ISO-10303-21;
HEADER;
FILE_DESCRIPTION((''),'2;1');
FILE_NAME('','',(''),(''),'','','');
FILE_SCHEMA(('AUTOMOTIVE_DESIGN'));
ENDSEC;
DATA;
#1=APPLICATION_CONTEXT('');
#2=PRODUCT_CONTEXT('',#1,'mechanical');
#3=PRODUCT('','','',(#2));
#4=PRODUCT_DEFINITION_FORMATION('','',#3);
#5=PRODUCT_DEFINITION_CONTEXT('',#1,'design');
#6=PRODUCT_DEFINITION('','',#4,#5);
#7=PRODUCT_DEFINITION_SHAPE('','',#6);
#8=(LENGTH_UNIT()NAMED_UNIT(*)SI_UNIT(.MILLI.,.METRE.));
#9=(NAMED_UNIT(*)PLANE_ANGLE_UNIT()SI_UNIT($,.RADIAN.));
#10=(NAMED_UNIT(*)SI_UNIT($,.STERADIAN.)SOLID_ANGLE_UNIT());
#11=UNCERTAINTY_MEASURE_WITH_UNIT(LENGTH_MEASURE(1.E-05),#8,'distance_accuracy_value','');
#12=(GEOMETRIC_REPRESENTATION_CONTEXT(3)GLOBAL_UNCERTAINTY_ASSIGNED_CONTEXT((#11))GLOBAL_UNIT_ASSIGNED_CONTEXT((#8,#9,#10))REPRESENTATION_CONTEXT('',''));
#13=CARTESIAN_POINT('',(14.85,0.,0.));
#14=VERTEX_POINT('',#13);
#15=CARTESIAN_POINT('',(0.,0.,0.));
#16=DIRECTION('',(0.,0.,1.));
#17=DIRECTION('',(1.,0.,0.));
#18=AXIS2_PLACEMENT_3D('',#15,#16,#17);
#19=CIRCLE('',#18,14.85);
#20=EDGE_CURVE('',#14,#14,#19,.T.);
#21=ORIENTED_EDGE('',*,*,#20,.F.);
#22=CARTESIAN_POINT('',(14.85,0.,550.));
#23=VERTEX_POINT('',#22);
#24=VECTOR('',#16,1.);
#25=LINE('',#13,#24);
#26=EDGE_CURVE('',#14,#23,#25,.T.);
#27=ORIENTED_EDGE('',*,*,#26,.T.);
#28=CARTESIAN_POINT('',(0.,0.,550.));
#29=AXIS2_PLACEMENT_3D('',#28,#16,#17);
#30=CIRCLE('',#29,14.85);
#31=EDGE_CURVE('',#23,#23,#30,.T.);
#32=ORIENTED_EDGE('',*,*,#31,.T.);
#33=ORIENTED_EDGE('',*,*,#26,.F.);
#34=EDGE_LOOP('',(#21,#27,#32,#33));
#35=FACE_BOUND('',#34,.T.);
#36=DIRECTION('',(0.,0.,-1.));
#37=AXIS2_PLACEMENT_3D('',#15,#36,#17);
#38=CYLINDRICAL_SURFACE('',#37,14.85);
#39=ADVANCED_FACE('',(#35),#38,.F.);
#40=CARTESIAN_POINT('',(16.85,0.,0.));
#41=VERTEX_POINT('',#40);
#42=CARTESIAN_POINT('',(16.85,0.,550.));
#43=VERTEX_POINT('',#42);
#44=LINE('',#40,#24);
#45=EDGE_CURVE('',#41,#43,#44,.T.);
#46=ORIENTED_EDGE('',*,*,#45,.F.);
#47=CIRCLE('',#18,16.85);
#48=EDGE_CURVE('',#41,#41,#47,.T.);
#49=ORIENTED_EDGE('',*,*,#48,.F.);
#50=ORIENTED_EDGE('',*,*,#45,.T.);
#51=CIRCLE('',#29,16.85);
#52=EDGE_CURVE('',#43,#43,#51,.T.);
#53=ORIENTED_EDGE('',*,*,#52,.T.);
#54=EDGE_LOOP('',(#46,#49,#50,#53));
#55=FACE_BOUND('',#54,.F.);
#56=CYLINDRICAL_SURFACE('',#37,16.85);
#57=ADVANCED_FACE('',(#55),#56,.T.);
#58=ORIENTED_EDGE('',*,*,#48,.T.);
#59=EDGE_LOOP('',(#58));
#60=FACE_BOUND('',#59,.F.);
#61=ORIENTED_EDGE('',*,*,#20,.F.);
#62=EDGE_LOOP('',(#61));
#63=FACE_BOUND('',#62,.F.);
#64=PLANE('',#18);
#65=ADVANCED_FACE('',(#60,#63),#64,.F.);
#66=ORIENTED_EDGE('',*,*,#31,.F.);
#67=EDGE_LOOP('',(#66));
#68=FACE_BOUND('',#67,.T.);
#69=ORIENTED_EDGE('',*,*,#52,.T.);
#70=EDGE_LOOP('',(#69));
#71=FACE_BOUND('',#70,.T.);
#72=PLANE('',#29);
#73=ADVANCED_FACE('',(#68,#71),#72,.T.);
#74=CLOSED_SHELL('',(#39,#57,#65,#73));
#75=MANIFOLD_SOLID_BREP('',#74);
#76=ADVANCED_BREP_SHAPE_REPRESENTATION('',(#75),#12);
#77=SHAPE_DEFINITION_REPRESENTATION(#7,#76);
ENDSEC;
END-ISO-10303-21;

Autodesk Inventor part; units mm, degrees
ref_plane "YZ Plane" through (0, 0, 0) normal (1, 0, 0) x (0, 1, 0)
ref_plane "Start Plane" through (0, 0, 0) normal (0, 0, 1) x (1, 0, 0)
ref_plane "End Plane" through (0, 0, 550) normal (0, 0, 1) x (1, 0, 0)
sketch "Sketch" plane through (0, 0, 0) normal (0, 0, 1) x (1, 0, 0)
  circle A0 centre (0, 0) radius 14.85
  circle A1 centre (0, 0) radius 16.85
  dimension "d0" = 33.7
  dimension "d1" = 2
extrude "Body" add sketch "Sketch" along normal up to surface (550 mm away) from surface at 0
sketch "Sketch3" plane through (0, 0, 0) normal (0, 0, 1) x (1, 0, 0)
  line L0 (0, 0) -> (10, 0)
ref_plane "Work Plane3" through (0, 0, 0) normal (0, -1, 0) x (1, 0, 0)
sketch "Sketch4" plane through (0, 0, 0) normal (0, -1, 0) x (1, 0, 0)
  line L0 (-2, 0) -> (12, 0)
  line L1 (-2, 550) -> (12, 550)
  dimension "d7" = 550
equation "\"d0\" = G_H"
equation "\"d1\" = G_T"
equation "\"d2\" = G_L"
equation "\"G_H\" = 33.7"
equation "\"G_T\" = 2"
equation "\"G_L\" = d7"
equation "\"G_OFFSET_START\" = 0"
equation "\"G_OFFSET_END\" = 0"
properties part number "ISO 10799-2 - 33.7x2.0 - 550" material "Steel, Mild"
